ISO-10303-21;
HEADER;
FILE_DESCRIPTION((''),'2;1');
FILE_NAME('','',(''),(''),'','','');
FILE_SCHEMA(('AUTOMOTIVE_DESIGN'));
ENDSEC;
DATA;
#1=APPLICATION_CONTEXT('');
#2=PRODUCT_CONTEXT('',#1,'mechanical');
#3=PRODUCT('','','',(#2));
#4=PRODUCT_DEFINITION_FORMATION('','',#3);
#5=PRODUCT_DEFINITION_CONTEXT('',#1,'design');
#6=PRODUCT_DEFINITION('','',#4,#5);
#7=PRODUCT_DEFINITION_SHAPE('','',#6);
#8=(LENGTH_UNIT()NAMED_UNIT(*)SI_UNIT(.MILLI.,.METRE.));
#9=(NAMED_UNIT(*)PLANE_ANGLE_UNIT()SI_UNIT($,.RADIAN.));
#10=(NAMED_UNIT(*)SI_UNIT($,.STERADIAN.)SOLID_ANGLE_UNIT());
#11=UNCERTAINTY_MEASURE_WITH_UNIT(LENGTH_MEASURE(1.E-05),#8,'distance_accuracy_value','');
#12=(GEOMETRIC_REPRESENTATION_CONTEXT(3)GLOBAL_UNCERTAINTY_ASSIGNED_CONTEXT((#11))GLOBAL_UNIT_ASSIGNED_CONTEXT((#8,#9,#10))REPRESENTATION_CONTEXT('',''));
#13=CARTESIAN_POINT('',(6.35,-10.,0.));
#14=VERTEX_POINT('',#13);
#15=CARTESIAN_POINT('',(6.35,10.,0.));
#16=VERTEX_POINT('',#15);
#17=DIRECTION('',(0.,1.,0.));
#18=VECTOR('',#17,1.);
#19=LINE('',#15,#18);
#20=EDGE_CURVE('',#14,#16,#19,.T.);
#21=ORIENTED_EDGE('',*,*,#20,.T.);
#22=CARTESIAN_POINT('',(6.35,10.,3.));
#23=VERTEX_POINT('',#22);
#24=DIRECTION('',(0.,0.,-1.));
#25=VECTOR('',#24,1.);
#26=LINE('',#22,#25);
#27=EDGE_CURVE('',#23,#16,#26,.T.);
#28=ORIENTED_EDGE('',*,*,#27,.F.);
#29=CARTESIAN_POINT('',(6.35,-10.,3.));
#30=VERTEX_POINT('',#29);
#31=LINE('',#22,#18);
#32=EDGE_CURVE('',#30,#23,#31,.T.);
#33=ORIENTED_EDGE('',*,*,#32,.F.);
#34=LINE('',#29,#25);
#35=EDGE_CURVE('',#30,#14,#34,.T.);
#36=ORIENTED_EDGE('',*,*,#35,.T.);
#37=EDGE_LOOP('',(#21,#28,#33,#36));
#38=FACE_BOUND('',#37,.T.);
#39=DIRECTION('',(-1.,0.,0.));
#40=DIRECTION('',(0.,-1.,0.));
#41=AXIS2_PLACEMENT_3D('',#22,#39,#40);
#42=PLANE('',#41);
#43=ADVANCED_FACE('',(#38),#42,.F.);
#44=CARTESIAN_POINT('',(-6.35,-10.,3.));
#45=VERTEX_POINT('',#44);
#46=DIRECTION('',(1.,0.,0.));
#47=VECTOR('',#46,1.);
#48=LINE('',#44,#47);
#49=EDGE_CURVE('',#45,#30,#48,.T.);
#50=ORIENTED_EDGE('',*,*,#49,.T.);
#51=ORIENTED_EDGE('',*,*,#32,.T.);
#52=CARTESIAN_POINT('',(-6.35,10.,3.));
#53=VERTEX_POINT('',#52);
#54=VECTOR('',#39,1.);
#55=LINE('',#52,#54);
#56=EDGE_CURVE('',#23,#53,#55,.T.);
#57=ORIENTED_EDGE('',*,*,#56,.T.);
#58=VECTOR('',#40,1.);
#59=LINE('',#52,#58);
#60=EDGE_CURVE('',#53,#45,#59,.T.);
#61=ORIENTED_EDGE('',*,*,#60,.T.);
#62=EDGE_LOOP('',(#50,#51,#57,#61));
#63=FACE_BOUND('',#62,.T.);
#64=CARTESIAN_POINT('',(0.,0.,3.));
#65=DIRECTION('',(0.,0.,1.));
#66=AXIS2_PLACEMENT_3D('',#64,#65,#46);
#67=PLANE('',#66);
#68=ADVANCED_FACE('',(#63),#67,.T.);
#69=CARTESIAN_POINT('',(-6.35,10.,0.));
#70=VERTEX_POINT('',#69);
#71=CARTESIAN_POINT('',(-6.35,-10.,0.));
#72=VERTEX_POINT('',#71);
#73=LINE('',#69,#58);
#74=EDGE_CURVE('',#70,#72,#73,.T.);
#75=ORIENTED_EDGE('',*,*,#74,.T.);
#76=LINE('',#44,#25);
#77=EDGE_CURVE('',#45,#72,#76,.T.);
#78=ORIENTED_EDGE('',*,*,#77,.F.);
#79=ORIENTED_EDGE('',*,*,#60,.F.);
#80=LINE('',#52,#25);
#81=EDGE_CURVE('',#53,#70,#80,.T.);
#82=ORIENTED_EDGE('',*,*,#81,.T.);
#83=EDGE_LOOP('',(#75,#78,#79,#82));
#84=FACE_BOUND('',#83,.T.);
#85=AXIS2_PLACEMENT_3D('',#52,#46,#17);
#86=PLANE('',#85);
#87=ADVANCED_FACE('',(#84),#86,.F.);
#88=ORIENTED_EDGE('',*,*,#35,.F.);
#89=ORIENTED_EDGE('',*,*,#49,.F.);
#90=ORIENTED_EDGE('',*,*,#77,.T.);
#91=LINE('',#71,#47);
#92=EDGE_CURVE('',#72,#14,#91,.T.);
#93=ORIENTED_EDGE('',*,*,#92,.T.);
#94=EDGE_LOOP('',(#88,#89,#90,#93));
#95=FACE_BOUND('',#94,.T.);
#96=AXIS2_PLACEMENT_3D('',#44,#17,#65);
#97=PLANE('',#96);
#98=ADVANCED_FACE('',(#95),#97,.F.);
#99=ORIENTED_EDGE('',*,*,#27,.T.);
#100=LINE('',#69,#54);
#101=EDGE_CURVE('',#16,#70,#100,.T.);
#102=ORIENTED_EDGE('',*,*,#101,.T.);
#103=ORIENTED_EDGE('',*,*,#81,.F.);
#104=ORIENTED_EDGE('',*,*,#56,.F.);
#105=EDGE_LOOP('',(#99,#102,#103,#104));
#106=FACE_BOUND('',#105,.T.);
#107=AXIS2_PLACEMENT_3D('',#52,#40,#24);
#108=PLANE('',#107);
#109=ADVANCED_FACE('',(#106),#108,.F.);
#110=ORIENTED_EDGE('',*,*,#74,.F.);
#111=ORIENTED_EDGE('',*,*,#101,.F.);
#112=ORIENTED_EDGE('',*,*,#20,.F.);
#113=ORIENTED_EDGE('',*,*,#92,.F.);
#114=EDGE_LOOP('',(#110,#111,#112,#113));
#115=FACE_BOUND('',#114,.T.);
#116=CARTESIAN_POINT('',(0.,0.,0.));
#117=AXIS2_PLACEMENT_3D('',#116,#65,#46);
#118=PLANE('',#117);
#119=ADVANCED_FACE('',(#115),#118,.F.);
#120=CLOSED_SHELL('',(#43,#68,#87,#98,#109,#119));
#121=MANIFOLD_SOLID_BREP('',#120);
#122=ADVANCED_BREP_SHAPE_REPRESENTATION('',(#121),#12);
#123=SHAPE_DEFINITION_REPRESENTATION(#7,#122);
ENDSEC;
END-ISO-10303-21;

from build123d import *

# Parameters (mm, degrees)
SKETCH_1_W      = 12.7
SKETCH_1_H      = 20
EXTRUDE_1_DEPTH = 3


with BuildPart() as part:
    # 草圖1 → 填料-伸長1 (new body)
    with BuildSketch(Plane.XY):
        Rectangle(SKETCH_1_W, SKETCH_1_H)
    extrude(amount=EXTRUDE_1_DEPTH)


solid = part.part
